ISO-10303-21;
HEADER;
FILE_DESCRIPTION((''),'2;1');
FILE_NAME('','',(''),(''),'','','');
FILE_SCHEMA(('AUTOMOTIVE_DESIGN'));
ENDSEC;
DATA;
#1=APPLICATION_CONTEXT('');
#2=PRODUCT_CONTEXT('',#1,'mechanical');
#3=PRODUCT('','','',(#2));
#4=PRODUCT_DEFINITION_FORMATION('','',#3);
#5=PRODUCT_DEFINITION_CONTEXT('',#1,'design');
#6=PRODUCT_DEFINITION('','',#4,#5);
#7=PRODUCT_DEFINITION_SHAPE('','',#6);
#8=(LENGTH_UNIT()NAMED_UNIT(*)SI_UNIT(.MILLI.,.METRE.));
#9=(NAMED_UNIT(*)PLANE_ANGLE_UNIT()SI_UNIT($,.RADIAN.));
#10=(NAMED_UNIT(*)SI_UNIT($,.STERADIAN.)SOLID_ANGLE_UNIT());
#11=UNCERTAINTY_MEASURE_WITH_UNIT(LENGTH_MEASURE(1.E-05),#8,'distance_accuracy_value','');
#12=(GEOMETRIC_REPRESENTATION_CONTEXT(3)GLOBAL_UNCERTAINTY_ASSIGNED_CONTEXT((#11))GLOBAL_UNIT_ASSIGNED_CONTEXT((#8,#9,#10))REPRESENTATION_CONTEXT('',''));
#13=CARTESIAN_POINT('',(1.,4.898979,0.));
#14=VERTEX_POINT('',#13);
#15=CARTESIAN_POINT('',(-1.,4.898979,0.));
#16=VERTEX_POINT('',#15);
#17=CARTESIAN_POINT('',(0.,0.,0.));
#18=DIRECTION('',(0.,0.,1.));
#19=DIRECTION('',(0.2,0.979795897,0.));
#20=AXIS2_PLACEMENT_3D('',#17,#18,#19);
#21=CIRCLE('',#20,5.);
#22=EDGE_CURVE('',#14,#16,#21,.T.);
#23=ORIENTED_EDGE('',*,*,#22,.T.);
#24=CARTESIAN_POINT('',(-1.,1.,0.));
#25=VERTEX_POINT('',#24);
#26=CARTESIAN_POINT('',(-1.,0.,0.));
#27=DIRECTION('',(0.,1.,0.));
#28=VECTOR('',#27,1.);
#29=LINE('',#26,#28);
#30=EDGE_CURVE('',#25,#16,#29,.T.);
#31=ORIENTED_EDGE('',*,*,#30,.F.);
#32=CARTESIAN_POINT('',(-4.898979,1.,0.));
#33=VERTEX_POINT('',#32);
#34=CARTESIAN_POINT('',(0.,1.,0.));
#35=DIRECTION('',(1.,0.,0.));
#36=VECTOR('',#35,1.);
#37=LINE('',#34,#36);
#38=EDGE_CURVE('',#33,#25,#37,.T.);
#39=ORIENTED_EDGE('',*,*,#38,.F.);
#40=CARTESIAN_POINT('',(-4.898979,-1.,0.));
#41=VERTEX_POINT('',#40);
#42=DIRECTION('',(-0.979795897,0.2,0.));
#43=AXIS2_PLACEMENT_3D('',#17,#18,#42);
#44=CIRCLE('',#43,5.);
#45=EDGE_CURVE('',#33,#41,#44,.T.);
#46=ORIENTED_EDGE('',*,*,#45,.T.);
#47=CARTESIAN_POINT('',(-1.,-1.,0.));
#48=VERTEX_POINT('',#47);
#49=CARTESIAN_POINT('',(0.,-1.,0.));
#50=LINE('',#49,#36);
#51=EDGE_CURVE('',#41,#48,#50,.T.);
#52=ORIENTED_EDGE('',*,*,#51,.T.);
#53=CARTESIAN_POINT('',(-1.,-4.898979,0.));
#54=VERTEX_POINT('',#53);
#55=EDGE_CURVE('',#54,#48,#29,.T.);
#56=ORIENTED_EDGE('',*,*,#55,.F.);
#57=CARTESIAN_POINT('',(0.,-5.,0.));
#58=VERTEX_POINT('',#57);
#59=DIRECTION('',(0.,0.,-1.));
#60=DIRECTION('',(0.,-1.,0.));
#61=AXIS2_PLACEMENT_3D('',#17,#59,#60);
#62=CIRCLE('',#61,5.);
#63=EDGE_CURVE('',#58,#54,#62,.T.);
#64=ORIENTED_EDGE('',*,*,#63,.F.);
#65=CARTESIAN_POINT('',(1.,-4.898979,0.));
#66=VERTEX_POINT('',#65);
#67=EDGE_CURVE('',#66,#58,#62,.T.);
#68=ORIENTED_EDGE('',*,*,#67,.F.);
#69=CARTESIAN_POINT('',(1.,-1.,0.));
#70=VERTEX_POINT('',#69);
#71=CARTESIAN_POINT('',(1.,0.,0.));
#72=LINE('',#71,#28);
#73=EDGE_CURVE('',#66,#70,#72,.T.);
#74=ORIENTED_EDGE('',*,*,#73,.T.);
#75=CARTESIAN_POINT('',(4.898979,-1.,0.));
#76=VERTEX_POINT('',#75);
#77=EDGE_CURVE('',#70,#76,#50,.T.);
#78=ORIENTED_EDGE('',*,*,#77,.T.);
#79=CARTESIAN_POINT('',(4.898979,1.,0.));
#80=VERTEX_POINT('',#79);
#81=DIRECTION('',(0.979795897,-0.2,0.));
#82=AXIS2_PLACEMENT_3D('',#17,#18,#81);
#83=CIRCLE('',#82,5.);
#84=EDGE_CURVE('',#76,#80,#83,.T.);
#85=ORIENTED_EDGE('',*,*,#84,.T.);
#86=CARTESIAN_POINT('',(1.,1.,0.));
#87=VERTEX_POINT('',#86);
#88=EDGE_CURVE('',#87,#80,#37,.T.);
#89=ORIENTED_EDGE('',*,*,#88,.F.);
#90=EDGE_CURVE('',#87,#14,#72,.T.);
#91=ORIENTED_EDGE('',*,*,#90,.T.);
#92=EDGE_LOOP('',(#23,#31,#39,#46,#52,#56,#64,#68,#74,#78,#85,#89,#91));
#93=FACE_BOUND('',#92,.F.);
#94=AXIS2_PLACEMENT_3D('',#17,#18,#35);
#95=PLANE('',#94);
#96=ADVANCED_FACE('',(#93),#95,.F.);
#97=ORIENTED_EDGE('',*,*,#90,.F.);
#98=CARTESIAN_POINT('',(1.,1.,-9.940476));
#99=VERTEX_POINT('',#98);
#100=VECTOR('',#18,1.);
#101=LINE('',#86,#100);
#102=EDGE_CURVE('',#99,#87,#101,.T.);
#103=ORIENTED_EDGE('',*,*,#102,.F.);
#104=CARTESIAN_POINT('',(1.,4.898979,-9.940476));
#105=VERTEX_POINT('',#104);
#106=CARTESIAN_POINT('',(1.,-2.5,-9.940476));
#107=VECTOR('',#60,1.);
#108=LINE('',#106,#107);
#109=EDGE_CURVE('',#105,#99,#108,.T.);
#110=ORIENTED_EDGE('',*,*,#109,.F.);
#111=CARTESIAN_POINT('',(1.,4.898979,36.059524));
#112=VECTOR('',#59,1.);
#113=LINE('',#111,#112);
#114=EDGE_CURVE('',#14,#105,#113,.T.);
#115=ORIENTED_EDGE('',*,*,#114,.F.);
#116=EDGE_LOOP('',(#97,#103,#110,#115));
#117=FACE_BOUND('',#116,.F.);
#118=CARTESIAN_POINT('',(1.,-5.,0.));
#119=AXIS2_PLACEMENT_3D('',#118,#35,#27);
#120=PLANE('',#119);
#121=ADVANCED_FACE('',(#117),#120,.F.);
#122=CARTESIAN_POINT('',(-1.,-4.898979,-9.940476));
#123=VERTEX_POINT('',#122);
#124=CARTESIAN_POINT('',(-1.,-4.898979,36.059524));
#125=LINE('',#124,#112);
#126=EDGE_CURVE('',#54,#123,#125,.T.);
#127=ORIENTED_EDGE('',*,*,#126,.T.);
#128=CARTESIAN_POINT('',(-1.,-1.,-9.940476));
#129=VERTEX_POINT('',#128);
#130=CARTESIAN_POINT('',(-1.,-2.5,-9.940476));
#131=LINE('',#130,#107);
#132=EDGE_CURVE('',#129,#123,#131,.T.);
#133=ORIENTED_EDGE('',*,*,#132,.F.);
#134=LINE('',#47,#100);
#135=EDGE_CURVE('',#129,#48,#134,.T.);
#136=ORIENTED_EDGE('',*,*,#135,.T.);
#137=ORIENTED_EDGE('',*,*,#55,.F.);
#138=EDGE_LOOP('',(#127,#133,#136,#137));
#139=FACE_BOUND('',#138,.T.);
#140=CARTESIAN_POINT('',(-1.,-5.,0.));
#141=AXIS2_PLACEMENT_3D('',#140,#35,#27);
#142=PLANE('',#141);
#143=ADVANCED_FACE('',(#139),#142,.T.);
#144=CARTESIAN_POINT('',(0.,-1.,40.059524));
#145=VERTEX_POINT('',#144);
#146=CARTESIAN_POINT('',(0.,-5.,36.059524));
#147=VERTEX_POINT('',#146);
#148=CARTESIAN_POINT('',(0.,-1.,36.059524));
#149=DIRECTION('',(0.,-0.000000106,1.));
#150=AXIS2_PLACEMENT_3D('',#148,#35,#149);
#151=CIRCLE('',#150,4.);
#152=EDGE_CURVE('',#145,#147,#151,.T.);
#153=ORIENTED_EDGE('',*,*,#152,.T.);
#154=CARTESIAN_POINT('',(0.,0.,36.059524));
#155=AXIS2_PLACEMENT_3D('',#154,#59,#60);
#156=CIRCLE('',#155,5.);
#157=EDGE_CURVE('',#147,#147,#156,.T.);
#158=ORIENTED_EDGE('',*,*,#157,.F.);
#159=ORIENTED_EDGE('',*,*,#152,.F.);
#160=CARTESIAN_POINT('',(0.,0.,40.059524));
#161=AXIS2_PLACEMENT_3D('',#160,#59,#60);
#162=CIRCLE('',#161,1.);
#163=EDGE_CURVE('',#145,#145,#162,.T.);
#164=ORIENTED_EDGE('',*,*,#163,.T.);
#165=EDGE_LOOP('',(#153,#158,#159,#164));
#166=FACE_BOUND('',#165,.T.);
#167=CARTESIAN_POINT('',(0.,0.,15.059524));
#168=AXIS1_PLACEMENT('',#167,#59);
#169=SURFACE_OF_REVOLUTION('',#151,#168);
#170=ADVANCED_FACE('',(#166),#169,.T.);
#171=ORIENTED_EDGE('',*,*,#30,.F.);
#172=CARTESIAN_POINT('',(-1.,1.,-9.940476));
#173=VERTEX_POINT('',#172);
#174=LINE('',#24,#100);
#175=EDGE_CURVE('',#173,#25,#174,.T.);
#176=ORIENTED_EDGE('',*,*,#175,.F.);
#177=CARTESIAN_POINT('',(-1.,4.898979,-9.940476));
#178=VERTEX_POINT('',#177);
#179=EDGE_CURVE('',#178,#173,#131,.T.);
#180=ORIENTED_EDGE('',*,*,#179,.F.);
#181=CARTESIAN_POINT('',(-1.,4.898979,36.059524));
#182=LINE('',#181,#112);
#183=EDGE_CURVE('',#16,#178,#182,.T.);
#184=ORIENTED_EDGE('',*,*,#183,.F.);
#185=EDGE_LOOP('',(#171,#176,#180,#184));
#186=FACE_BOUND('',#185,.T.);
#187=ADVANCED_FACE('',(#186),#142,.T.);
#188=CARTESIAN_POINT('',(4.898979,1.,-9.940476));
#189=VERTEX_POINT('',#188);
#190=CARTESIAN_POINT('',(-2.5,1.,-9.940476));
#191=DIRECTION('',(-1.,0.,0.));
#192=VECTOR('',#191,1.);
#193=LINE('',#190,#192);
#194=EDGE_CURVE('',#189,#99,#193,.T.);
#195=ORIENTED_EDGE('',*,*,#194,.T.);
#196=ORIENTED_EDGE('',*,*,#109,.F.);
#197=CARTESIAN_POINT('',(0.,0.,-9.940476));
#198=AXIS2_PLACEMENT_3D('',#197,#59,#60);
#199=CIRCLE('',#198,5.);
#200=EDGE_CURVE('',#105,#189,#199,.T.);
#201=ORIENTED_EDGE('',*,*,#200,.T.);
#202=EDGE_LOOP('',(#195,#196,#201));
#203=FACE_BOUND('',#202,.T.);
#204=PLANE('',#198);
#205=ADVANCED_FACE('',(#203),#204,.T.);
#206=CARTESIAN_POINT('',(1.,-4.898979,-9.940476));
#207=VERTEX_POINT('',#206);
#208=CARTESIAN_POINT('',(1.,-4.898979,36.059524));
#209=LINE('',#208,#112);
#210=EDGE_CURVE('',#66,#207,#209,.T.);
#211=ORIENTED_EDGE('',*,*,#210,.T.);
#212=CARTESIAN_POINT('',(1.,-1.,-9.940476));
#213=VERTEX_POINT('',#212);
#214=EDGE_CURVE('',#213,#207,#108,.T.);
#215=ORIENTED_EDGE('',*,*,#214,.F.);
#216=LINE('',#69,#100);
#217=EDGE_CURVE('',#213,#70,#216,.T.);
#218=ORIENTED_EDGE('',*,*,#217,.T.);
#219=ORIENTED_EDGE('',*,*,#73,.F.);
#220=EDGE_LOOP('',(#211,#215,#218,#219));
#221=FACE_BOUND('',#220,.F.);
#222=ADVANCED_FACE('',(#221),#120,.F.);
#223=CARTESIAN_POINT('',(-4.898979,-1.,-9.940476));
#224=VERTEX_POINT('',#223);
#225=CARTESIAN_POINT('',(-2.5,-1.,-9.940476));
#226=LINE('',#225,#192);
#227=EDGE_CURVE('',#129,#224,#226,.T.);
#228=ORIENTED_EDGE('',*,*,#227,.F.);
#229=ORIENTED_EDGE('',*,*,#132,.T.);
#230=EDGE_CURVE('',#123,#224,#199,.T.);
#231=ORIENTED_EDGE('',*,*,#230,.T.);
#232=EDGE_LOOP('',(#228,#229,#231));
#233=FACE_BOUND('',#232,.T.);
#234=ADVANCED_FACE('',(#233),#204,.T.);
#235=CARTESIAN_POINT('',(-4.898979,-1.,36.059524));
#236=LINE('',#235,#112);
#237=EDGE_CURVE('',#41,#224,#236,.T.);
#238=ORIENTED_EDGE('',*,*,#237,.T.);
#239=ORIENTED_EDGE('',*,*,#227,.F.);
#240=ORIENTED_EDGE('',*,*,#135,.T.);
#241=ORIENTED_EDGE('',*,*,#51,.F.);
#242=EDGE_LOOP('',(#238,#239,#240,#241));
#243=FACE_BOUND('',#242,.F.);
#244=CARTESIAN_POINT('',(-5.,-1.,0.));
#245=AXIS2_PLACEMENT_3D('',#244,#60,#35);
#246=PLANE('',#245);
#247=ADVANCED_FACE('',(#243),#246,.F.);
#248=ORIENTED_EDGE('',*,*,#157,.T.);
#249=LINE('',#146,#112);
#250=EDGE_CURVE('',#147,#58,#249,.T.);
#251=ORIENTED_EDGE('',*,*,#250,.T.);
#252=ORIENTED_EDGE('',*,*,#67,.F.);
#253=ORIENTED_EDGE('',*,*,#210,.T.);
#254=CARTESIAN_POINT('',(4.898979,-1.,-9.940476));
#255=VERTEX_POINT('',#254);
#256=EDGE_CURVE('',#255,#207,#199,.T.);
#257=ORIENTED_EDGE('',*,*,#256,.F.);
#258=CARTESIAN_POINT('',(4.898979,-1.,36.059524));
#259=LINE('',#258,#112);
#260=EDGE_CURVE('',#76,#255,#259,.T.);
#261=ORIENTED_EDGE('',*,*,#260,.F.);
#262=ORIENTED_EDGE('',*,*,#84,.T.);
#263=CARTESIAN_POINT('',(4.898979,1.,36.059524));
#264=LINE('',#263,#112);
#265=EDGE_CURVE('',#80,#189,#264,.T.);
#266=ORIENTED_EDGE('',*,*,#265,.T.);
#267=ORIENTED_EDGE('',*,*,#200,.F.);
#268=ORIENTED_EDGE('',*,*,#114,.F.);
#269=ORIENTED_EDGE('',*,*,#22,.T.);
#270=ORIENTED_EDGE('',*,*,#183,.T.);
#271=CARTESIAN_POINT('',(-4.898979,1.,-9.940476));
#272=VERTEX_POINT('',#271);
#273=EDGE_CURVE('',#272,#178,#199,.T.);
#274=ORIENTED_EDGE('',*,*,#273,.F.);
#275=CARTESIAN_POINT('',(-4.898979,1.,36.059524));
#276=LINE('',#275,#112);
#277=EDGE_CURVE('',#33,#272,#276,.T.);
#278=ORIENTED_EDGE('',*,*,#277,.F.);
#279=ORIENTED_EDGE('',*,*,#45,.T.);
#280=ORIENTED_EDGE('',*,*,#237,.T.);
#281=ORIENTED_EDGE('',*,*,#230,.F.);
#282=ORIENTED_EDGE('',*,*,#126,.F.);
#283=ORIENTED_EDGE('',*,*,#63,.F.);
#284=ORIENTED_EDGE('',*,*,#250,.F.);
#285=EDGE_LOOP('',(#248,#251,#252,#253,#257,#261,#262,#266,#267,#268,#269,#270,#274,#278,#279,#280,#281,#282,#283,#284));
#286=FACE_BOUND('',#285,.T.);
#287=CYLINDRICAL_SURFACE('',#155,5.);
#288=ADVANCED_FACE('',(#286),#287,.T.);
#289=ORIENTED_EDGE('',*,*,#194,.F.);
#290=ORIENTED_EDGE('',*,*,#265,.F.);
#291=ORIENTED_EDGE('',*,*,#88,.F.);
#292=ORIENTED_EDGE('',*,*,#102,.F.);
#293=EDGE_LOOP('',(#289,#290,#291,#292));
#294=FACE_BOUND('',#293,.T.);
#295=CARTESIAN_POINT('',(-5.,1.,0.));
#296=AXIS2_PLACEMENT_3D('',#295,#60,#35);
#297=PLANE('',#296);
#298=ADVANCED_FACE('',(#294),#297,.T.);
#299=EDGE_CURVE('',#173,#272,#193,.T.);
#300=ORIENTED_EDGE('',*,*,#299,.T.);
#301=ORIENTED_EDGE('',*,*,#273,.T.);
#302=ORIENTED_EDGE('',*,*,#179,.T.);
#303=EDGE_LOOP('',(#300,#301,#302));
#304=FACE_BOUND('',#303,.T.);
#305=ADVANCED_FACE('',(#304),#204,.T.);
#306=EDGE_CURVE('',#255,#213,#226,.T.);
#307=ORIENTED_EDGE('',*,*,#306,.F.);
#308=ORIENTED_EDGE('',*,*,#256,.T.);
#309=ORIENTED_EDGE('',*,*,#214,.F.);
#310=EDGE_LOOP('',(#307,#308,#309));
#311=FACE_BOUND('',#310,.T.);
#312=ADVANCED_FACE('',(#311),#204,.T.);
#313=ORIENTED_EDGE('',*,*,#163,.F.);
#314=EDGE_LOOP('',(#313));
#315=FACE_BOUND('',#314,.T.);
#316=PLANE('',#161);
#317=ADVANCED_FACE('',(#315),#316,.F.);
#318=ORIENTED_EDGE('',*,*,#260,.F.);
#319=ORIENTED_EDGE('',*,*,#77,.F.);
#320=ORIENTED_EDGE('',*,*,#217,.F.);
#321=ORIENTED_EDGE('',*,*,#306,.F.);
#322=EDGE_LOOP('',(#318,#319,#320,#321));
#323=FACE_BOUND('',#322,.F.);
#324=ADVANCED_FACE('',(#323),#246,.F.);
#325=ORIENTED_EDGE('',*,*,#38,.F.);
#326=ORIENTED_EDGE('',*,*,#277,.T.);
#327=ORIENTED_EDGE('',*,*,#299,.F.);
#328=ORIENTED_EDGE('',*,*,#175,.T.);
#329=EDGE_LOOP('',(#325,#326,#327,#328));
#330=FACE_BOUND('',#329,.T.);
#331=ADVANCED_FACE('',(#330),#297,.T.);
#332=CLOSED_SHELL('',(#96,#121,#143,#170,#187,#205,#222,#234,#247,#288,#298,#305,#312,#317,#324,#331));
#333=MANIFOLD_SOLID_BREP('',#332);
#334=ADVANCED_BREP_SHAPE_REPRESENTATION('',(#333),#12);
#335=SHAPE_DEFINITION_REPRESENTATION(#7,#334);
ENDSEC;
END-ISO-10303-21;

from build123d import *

# Parameters (mm, degrees)
F2_W     = 10
F2_H     = 2
F3_DEPTH = 25
F4_W     = 2
F4_H     = 10
F5_DEPTH = 25


with BuildPart() as f1:
    # F0 (on Right) → F1 (revolve)
    with BuildSketch(Plane.YZ):
        with BuildLine():
            Line((0, -9.940476), (0, 40.059524))
            Line((0, 40.059524), (-1, 40.059524))
            ThreePointArc((-1, 40.059524), (-3.828427, 38.887951), (-5, 36.059524))
            Line((-5, 36.059524), (-5, -9.940476))
            Line((-5, -9.940476), (0, -9.940476))
        make_face()
    revolve(axis=Axis((0, 0, 15.059524), (0, 0, -1)))

    # F2 (on Top) → F3 (cut)
    with BuildSketch(Plane.XY):
        Rectangle(F2_W, F2_H)
    extrude(amount=-F3_DEPTH, mode=Mode.SUBTRACT)

    # F4 (on Top) → F5 (cut)
    with BuildSketch(Plane.XY):
        Rectangle(F4_W, F4_H)
    extrude(amount=-F5_DEPTH, mode=Mode.SUBTRACT)


solid = f1.part
